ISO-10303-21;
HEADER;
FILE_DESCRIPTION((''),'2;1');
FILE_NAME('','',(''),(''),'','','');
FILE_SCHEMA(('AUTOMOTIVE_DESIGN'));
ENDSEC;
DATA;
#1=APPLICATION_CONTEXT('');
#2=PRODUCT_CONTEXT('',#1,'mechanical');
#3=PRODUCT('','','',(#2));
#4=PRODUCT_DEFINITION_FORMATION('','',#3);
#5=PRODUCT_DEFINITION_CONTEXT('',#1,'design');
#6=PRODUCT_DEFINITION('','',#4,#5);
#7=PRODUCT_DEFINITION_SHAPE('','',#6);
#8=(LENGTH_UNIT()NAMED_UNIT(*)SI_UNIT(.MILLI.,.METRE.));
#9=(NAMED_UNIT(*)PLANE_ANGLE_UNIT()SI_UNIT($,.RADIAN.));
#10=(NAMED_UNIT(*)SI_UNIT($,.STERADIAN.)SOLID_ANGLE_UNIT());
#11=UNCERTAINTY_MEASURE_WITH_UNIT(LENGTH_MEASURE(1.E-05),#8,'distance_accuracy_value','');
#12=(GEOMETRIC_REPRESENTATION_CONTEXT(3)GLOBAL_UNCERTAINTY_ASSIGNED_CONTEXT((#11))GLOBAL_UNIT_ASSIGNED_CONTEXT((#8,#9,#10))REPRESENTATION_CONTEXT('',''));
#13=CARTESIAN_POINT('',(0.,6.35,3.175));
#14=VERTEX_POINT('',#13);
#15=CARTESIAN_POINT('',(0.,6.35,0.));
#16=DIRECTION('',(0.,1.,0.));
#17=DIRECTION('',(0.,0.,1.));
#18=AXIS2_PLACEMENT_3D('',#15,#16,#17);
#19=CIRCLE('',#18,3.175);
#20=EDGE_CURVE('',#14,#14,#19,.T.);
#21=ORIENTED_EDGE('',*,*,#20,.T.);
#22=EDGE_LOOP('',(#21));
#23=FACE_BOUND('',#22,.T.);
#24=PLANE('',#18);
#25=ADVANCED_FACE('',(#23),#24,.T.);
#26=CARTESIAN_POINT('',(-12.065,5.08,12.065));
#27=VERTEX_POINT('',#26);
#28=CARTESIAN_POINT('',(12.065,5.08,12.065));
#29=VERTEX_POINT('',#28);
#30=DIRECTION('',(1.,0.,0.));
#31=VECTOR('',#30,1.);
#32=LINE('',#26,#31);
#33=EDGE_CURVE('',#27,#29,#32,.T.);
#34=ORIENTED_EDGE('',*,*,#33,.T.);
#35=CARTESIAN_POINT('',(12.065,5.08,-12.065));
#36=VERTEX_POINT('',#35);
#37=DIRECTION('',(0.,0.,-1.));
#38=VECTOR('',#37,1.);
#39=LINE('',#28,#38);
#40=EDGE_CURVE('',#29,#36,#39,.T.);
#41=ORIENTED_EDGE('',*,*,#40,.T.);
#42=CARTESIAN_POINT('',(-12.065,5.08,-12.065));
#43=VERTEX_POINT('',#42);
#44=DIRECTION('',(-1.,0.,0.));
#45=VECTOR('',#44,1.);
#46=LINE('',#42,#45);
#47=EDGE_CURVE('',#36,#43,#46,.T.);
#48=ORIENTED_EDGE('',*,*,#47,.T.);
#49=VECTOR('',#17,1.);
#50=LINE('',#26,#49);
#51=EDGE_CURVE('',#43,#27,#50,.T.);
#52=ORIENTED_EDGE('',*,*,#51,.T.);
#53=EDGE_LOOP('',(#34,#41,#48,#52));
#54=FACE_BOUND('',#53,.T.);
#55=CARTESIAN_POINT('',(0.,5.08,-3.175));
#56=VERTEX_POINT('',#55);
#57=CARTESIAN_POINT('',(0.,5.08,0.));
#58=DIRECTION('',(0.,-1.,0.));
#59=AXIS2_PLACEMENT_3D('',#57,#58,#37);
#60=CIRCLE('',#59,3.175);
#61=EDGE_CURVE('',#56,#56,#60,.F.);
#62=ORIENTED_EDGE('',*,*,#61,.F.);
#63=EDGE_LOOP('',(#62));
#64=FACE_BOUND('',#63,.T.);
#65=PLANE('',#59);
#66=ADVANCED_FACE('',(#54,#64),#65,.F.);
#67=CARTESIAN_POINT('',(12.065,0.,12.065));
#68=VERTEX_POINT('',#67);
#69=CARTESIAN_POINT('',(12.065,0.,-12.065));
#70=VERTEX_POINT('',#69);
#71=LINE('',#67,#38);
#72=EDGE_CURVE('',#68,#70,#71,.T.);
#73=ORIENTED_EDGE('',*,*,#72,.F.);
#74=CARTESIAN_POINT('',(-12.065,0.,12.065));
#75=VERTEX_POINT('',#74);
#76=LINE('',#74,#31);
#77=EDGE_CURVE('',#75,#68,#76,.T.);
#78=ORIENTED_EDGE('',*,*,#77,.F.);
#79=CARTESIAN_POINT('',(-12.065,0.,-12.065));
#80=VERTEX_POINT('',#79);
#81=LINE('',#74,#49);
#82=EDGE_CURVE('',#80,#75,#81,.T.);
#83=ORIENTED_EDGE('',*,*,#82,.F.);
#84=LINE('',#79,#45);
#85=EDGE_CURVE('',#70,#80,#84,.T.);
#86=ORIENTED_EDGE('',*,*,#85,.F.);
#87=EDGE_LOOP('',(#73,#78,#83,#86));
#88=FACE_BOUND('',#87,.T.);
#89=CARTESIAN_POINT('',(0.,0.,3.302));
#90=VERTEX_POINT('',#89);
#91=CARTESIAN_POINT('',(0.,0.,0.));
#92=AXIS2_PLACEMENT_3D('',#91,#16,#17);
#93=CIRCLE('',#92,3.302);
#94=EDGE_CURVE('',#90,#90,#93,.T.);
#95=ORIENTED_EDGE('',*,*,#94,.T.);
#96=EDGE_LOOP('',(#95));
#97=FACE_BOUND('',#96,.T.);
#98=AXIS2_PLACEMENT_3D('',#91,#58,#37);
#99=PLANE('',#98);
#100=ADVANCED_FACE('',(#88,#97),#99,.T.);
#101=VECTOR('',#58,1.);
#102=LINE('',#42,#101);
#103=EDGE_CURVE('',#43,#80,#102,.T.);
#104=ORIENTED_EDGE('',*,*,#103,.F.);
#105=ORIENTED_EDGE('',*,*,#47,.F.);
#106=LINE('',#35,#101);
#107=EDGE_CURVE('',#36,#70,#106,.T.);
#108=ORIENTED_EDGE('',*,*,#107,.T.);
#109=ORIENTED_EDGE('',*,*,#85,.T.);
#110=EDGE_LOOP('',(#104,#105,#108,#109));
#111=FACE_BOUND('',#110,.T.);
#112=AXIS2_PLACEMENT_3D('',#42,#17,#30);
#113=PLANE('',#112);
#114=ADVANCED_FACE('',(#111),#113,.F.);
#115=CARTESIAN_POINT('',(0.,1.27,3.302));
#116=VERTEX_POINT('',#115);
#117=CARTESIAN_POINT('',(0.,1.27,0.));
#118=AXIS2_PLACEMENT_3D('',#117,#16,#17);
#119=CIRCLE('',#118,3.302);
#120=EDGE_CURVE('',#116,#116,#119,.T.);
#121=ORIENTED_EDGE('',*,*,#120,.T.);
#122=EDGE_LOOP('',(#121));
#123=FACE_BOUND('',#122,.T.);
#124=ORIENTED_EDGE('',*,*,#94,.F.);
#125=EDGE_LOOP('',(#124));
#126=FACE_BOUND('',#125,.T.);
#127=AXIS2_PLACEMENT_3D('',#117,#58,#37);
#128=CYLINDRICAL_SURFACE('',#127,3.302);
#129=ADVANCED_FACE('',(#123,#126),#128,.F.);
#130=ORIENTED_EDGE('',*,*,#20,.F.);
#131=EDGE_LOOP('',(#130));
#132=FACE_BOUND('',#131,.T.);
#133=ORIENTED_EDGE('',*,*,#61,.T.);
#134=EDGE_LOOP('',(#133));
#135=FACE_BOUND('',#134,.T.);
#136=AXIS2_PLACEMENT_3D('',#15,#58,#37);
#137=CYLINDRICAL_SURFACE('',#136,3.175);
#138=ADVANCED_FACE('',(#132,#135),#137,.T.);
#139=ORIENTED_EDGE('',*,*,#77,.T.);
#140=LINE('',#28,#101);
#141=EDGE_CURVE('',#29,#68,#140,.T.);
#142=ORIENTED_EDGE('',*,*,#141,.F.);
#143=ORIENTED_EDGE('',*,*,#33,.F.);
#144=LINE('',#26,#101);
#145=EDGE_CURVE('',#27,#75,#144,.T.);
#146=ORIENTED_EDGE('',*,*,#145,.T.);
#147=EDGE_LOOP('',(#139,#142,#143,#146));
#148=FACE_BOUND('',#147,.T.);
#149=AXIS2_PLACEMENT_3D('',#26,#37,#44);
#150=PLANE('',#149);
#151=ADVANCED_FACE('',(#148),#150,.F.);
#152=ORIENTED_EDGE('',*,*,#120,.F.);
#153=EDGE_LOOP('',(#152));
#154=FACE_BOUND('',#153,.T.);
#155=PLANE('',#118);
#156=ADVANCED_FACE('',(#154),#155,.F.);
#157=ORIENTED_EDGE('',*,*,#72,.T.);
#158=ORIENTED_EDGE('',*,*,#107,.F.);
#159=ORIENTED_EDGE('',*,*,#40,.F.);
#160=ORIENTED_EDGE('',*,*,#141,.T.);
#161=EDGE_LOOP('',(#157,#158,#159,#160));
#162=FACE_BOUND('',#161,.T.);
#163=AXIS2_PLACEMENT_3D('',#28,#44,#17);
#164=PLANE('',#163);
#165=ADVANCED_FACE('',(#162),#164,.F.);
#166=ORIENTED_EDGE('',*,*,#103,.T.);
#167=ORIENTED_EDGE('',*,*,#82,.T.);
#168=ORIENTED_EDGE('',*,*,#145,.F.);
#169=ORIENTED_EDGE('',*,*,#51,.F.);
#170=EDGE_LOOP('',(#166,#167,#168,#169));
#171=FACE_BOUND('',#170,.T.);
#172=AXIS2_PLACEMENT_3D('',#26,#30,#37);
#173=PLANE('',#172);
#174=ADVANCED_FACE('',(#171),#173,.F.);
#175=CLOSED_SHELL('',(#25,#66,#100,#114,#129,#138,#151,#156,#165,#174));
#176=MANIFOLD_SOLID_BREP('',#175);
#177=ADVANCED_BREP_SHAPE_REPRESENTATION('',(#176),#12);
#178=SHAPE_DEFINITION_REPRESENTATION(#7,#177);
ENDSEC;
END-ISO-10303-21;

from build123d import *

# Parameters (mm, degrees)
SKETCH1_W           = 24.13
SKETCH1_H           = 24.13
BOSS_EXTRUDE1_DEPTH = 5.08
SKETCH2_R           = 3.302
CUT_EXTRUDE1_DEPTH  = 1.27
SKETCH3_R           = 3.175
BOSS_EXTRUDE2_DEPTH = 1.27


with BuildPart() as part:
    # Sketch1 → Boss-Extrude1 (new body)
    with BuildSketch(Plane(origin=(0, 0, 0), x_dir=(1, 0, 0), z_dir=(0, 1, 0))):
        Rectangle(SKETCH1_W, SKETCH1_H)
    extrude(amount=BOSS_EXTRUDE1_DEPTH)

    # Sketch2 → Cut-Extrude1 (cut)
    with BuildSketch(Plane(origin=(0, 0, 0), x_dir=(1, 0, 0), z_dir=(0, 1, 0))):
        with Locations(Location((0, 0, 0), (0, 0, 270))):
            Circle(SKETCH2_R)
    extrude(amount=CUT_EXTRUDE1_DEPTH, mode=Mode.SUBTRACT)

    # Sketch3 → Boss-Extrude2 (add)
    with BuildSketch(Plane(origin=(0, 5.08, 0), x_dir=(1, 0, 0), z_dir=(0, 1, 0))):
        with Locations(Location((0, 0, 0), (0, 0, 90))):
            Circle(SKETCH3_R)
    extrude(amount=BOSS_EXTRUDE2_DEPTH)


solid = part.part
